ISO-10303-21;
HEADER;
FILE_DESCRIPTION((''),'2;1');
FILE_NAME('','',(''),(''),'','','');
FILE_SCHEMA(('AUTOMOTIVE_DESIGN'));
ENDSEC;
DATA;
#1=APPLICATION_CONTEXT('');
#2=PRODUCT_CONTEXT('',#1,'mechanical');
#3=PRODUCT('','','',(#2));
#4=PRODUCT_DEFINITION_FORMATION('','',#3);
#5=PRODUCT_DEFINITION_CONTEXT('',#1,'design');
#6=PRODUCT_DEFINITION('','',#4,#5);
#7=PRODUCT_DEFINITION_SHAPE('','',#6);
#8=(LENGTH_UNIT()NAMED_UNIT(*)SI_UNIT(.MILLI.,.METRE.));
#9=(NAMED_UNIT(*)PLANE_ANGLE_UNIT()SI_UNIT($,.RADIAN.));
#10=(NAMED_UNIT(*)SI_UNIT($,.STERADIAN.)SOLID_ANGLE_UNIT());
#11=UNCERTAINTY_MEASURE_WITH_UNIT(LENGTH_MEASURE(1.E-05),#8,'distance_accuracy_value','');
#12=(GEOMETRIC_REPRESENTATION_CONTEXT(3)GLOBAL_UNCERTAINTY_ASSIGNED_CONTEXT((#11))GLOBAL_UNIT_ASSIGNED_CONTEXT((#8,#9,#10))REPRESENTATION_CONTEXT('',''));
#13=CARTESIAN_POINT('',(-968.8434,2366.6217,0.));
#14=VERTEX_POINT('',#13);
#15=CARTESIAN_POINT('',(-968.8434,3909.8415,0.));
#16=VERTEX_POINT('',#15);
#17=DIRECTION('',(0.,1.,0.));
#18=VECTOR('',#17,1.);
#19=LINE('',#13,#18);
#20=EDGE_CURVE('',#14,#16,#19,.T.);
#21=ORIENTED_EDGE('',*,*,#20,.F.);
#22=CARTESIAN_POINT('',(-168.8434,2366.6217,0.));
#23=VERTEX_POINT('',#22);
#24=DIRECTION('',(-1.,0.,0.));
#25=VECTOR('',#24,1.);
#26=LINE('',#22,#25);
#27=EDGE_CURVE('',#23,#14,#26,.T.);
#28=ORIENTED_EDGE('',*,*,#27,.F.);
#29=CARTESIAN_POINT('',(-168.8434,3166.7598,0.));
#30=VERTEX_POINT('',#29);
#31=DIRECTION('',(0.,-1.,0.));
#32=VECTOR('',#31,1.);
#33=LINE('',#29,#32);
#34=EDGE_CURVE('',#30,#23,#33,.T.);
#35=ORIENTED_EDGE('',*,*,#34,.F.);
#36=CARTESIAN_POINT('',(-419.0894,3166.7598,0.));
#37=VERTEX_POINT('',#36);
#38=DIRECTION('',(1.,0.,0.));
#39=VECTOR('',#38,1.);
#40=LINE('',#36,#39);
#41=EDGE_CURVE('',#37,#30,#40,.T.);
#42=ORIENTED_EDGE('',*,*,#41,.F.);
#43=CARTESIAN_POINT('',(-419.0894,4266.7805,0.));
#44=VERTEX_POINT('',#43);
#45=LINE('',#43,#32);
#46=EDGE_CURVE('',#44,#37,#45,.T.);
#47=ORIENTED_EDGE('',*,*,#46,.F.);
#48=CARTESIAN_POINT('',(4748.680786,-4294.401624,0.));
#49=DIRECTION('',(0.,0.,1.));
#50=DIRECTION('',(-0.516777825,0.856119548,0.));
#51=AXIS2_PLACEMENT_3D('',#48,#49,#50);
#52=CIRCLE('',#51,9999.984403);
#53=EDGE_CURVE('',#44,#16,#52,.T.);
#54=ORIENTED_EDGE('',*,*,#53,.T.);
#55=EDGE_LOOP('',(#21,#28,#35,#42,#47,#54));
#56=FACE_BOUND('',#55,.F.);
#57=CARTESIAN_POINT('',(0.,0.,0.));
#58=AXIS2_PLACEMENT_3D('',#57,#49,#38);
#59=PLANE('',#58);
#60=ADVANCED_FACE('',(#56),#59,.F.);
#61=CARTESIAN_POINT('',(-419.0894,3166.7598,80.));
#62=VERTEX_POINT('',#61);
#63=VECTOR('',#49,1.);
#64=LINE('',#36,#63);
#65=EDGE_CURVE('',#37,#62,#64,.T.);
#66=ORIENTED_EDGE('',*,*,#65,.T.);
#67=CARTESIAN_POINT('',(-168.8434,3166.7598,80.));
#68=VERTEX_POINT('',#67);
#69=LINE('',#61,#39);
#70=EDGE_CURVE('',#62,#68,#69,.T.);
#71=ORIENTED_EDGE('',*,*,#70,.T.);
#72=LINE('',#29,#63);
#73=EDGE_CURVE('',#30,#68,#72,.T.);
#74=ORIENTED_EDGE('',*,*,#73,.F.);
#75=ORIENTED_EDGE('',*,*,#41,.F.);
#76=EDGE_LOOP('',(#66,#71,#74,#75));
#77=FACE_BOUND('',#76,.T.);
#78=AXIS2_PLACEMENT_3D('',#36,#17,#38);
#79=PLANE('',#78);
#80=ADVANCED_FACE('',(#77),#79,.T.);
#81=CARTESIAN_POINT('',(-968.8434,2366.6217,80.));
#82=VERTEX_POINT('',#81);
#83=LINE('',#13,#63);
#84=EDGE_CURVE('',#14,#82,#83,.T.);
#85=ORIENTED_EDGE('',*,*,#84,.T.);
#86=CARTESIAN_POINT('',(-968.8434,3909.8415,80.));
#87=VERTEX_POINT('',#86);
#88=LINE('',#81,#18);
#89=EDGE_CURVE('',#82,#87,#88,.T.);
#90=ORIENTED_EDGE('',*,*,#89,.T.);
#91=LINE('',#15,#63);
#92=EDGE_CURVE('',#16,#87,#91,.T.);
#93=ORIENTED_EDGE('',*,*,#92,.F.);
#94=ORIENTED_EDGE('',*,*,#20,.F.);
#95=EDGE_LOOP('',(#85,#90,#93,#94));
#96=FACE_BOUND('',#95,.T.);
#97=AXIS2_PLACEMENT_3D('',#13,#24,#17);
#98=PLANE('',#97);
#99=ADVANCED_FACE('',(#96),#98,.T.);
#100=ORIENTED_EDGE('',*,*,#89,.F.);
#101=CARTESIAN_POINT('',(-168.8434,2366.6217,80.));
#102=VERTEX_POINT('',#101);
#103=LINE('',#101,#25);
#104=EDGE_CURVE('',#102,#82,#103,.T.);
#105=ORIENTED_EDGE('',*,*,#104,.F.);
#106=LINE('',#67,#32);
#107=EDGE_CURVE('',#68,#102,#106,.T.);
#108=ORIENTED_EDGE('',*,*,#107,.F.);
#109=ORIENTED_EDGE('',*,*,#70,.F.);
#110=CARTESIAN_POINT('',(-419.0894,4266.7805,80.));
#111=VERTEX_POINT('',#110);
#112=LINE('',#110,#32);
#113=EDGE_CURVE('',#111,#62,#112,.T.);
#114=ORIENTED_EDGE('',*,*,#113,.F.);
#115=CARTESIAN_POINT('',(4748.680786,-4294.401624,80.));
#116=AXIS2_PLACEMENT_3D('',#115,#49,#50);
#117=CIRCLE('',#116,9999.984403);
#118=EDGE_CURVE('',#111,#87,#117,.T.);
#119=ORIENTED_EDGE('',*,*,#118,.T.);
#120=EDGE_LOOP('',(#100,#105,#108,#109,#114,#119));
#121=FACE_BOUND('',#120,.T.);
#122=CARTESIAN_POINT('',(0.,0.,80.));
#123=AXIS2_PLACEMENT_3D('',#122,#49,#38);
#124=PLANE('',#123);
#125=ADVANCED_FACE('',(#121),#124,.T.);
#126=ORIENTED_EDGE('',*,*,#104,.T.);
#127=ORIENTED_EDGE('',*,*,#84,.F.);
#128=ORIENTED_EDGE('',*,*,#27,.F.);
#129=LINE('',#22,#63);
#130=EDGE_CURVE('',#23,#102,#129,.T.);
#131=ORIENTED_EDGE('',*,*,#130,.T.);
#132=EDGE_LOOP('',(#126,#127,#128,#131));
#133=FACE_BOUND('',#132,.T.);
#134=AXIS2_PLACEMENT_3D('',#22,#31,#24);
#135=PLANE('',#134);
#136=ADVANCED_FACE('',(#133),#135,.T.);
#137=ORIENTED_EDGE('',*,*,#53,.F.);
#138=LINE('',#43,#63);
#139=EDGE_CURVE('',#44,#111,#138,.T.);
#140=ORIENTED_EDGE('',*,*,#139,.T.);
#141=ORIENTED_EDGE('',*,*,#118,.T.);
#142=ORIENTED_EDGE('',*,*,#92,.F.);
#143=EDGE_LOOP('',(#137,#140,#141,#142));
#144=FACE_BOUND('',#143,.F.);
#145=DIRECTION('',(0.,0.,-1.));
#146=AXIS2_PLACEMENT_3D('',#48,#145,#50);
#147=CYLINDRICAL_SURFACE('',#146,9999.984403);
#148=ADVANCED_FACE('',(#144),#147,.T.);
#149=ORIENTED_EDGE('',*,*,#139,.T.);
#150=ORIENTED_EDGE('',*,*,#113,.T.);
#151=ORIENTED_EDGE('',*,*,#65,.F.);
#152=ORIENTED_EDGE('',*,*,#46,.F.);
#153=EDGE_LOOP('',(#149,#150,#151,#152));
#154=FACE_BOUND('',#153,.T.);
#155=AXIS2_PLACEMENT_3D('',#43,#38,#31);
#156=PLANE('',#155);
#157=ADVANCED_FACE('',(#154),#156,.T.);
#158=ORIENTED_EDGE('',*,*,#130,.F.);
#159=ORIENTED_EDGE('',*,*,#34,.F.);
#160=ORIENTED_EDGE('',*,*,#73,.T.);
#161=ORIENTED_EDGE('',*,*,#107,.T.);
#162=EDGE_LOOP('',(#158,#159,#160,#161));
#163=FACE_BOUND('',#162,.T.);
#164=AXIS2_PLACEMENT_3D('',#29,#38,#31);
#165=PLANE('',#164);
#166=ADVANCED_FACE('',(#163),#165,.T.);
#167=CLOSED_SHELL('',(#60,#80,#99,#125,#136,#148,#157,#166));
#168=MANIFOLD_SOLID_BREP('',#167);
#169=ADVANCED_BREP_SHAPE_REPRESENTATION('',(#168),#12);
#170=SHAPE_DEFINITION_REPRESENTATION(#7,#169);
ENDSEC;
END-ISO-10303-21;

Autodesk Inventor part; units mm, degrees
ref_plane "YZ Plane" through (0, 0, 0) normal (1, 0, 0) x (0, 1, 0)
ref_plane "XZ Plane" through (0, 0, 0) normal (0, 1, 0) x (-1, 0, 0)
ref_plane "XY Plane" through (0, 0, 0) normal (0, 0, 1) x (1, 0, 0)
sketch "Sketch1" plane through (0, 0, 0) normal (0, 0, 1) x (1, 0, 0)
  line L0 (-419.0894, 3166.7598) -> (-168.8434, 3166.7598)
  line L1 (-419.0894, 4266.7805) -> (-419.0894, 3166.7598)
  arc A0 (-419.0894, 4266.7805) -> (-968.8434, 3909.8415) centre (4748.6891, -4294.4149) ccw
  line L2 (-968.8434, 2366.6217) -> (-968.8434, 3909.8415)
  line L3 (-168.8434, 2366.6217) -> (-968.8434, 2366.6217)
  line L4 (-168.8434, 3166.7598) -> (-168.8434, 2366.6217)
extrude "Extrusion1" add sketch "Sketch1" along normal blind 80
properties part number "front_wall_block03" material "Wood (Maple)"
